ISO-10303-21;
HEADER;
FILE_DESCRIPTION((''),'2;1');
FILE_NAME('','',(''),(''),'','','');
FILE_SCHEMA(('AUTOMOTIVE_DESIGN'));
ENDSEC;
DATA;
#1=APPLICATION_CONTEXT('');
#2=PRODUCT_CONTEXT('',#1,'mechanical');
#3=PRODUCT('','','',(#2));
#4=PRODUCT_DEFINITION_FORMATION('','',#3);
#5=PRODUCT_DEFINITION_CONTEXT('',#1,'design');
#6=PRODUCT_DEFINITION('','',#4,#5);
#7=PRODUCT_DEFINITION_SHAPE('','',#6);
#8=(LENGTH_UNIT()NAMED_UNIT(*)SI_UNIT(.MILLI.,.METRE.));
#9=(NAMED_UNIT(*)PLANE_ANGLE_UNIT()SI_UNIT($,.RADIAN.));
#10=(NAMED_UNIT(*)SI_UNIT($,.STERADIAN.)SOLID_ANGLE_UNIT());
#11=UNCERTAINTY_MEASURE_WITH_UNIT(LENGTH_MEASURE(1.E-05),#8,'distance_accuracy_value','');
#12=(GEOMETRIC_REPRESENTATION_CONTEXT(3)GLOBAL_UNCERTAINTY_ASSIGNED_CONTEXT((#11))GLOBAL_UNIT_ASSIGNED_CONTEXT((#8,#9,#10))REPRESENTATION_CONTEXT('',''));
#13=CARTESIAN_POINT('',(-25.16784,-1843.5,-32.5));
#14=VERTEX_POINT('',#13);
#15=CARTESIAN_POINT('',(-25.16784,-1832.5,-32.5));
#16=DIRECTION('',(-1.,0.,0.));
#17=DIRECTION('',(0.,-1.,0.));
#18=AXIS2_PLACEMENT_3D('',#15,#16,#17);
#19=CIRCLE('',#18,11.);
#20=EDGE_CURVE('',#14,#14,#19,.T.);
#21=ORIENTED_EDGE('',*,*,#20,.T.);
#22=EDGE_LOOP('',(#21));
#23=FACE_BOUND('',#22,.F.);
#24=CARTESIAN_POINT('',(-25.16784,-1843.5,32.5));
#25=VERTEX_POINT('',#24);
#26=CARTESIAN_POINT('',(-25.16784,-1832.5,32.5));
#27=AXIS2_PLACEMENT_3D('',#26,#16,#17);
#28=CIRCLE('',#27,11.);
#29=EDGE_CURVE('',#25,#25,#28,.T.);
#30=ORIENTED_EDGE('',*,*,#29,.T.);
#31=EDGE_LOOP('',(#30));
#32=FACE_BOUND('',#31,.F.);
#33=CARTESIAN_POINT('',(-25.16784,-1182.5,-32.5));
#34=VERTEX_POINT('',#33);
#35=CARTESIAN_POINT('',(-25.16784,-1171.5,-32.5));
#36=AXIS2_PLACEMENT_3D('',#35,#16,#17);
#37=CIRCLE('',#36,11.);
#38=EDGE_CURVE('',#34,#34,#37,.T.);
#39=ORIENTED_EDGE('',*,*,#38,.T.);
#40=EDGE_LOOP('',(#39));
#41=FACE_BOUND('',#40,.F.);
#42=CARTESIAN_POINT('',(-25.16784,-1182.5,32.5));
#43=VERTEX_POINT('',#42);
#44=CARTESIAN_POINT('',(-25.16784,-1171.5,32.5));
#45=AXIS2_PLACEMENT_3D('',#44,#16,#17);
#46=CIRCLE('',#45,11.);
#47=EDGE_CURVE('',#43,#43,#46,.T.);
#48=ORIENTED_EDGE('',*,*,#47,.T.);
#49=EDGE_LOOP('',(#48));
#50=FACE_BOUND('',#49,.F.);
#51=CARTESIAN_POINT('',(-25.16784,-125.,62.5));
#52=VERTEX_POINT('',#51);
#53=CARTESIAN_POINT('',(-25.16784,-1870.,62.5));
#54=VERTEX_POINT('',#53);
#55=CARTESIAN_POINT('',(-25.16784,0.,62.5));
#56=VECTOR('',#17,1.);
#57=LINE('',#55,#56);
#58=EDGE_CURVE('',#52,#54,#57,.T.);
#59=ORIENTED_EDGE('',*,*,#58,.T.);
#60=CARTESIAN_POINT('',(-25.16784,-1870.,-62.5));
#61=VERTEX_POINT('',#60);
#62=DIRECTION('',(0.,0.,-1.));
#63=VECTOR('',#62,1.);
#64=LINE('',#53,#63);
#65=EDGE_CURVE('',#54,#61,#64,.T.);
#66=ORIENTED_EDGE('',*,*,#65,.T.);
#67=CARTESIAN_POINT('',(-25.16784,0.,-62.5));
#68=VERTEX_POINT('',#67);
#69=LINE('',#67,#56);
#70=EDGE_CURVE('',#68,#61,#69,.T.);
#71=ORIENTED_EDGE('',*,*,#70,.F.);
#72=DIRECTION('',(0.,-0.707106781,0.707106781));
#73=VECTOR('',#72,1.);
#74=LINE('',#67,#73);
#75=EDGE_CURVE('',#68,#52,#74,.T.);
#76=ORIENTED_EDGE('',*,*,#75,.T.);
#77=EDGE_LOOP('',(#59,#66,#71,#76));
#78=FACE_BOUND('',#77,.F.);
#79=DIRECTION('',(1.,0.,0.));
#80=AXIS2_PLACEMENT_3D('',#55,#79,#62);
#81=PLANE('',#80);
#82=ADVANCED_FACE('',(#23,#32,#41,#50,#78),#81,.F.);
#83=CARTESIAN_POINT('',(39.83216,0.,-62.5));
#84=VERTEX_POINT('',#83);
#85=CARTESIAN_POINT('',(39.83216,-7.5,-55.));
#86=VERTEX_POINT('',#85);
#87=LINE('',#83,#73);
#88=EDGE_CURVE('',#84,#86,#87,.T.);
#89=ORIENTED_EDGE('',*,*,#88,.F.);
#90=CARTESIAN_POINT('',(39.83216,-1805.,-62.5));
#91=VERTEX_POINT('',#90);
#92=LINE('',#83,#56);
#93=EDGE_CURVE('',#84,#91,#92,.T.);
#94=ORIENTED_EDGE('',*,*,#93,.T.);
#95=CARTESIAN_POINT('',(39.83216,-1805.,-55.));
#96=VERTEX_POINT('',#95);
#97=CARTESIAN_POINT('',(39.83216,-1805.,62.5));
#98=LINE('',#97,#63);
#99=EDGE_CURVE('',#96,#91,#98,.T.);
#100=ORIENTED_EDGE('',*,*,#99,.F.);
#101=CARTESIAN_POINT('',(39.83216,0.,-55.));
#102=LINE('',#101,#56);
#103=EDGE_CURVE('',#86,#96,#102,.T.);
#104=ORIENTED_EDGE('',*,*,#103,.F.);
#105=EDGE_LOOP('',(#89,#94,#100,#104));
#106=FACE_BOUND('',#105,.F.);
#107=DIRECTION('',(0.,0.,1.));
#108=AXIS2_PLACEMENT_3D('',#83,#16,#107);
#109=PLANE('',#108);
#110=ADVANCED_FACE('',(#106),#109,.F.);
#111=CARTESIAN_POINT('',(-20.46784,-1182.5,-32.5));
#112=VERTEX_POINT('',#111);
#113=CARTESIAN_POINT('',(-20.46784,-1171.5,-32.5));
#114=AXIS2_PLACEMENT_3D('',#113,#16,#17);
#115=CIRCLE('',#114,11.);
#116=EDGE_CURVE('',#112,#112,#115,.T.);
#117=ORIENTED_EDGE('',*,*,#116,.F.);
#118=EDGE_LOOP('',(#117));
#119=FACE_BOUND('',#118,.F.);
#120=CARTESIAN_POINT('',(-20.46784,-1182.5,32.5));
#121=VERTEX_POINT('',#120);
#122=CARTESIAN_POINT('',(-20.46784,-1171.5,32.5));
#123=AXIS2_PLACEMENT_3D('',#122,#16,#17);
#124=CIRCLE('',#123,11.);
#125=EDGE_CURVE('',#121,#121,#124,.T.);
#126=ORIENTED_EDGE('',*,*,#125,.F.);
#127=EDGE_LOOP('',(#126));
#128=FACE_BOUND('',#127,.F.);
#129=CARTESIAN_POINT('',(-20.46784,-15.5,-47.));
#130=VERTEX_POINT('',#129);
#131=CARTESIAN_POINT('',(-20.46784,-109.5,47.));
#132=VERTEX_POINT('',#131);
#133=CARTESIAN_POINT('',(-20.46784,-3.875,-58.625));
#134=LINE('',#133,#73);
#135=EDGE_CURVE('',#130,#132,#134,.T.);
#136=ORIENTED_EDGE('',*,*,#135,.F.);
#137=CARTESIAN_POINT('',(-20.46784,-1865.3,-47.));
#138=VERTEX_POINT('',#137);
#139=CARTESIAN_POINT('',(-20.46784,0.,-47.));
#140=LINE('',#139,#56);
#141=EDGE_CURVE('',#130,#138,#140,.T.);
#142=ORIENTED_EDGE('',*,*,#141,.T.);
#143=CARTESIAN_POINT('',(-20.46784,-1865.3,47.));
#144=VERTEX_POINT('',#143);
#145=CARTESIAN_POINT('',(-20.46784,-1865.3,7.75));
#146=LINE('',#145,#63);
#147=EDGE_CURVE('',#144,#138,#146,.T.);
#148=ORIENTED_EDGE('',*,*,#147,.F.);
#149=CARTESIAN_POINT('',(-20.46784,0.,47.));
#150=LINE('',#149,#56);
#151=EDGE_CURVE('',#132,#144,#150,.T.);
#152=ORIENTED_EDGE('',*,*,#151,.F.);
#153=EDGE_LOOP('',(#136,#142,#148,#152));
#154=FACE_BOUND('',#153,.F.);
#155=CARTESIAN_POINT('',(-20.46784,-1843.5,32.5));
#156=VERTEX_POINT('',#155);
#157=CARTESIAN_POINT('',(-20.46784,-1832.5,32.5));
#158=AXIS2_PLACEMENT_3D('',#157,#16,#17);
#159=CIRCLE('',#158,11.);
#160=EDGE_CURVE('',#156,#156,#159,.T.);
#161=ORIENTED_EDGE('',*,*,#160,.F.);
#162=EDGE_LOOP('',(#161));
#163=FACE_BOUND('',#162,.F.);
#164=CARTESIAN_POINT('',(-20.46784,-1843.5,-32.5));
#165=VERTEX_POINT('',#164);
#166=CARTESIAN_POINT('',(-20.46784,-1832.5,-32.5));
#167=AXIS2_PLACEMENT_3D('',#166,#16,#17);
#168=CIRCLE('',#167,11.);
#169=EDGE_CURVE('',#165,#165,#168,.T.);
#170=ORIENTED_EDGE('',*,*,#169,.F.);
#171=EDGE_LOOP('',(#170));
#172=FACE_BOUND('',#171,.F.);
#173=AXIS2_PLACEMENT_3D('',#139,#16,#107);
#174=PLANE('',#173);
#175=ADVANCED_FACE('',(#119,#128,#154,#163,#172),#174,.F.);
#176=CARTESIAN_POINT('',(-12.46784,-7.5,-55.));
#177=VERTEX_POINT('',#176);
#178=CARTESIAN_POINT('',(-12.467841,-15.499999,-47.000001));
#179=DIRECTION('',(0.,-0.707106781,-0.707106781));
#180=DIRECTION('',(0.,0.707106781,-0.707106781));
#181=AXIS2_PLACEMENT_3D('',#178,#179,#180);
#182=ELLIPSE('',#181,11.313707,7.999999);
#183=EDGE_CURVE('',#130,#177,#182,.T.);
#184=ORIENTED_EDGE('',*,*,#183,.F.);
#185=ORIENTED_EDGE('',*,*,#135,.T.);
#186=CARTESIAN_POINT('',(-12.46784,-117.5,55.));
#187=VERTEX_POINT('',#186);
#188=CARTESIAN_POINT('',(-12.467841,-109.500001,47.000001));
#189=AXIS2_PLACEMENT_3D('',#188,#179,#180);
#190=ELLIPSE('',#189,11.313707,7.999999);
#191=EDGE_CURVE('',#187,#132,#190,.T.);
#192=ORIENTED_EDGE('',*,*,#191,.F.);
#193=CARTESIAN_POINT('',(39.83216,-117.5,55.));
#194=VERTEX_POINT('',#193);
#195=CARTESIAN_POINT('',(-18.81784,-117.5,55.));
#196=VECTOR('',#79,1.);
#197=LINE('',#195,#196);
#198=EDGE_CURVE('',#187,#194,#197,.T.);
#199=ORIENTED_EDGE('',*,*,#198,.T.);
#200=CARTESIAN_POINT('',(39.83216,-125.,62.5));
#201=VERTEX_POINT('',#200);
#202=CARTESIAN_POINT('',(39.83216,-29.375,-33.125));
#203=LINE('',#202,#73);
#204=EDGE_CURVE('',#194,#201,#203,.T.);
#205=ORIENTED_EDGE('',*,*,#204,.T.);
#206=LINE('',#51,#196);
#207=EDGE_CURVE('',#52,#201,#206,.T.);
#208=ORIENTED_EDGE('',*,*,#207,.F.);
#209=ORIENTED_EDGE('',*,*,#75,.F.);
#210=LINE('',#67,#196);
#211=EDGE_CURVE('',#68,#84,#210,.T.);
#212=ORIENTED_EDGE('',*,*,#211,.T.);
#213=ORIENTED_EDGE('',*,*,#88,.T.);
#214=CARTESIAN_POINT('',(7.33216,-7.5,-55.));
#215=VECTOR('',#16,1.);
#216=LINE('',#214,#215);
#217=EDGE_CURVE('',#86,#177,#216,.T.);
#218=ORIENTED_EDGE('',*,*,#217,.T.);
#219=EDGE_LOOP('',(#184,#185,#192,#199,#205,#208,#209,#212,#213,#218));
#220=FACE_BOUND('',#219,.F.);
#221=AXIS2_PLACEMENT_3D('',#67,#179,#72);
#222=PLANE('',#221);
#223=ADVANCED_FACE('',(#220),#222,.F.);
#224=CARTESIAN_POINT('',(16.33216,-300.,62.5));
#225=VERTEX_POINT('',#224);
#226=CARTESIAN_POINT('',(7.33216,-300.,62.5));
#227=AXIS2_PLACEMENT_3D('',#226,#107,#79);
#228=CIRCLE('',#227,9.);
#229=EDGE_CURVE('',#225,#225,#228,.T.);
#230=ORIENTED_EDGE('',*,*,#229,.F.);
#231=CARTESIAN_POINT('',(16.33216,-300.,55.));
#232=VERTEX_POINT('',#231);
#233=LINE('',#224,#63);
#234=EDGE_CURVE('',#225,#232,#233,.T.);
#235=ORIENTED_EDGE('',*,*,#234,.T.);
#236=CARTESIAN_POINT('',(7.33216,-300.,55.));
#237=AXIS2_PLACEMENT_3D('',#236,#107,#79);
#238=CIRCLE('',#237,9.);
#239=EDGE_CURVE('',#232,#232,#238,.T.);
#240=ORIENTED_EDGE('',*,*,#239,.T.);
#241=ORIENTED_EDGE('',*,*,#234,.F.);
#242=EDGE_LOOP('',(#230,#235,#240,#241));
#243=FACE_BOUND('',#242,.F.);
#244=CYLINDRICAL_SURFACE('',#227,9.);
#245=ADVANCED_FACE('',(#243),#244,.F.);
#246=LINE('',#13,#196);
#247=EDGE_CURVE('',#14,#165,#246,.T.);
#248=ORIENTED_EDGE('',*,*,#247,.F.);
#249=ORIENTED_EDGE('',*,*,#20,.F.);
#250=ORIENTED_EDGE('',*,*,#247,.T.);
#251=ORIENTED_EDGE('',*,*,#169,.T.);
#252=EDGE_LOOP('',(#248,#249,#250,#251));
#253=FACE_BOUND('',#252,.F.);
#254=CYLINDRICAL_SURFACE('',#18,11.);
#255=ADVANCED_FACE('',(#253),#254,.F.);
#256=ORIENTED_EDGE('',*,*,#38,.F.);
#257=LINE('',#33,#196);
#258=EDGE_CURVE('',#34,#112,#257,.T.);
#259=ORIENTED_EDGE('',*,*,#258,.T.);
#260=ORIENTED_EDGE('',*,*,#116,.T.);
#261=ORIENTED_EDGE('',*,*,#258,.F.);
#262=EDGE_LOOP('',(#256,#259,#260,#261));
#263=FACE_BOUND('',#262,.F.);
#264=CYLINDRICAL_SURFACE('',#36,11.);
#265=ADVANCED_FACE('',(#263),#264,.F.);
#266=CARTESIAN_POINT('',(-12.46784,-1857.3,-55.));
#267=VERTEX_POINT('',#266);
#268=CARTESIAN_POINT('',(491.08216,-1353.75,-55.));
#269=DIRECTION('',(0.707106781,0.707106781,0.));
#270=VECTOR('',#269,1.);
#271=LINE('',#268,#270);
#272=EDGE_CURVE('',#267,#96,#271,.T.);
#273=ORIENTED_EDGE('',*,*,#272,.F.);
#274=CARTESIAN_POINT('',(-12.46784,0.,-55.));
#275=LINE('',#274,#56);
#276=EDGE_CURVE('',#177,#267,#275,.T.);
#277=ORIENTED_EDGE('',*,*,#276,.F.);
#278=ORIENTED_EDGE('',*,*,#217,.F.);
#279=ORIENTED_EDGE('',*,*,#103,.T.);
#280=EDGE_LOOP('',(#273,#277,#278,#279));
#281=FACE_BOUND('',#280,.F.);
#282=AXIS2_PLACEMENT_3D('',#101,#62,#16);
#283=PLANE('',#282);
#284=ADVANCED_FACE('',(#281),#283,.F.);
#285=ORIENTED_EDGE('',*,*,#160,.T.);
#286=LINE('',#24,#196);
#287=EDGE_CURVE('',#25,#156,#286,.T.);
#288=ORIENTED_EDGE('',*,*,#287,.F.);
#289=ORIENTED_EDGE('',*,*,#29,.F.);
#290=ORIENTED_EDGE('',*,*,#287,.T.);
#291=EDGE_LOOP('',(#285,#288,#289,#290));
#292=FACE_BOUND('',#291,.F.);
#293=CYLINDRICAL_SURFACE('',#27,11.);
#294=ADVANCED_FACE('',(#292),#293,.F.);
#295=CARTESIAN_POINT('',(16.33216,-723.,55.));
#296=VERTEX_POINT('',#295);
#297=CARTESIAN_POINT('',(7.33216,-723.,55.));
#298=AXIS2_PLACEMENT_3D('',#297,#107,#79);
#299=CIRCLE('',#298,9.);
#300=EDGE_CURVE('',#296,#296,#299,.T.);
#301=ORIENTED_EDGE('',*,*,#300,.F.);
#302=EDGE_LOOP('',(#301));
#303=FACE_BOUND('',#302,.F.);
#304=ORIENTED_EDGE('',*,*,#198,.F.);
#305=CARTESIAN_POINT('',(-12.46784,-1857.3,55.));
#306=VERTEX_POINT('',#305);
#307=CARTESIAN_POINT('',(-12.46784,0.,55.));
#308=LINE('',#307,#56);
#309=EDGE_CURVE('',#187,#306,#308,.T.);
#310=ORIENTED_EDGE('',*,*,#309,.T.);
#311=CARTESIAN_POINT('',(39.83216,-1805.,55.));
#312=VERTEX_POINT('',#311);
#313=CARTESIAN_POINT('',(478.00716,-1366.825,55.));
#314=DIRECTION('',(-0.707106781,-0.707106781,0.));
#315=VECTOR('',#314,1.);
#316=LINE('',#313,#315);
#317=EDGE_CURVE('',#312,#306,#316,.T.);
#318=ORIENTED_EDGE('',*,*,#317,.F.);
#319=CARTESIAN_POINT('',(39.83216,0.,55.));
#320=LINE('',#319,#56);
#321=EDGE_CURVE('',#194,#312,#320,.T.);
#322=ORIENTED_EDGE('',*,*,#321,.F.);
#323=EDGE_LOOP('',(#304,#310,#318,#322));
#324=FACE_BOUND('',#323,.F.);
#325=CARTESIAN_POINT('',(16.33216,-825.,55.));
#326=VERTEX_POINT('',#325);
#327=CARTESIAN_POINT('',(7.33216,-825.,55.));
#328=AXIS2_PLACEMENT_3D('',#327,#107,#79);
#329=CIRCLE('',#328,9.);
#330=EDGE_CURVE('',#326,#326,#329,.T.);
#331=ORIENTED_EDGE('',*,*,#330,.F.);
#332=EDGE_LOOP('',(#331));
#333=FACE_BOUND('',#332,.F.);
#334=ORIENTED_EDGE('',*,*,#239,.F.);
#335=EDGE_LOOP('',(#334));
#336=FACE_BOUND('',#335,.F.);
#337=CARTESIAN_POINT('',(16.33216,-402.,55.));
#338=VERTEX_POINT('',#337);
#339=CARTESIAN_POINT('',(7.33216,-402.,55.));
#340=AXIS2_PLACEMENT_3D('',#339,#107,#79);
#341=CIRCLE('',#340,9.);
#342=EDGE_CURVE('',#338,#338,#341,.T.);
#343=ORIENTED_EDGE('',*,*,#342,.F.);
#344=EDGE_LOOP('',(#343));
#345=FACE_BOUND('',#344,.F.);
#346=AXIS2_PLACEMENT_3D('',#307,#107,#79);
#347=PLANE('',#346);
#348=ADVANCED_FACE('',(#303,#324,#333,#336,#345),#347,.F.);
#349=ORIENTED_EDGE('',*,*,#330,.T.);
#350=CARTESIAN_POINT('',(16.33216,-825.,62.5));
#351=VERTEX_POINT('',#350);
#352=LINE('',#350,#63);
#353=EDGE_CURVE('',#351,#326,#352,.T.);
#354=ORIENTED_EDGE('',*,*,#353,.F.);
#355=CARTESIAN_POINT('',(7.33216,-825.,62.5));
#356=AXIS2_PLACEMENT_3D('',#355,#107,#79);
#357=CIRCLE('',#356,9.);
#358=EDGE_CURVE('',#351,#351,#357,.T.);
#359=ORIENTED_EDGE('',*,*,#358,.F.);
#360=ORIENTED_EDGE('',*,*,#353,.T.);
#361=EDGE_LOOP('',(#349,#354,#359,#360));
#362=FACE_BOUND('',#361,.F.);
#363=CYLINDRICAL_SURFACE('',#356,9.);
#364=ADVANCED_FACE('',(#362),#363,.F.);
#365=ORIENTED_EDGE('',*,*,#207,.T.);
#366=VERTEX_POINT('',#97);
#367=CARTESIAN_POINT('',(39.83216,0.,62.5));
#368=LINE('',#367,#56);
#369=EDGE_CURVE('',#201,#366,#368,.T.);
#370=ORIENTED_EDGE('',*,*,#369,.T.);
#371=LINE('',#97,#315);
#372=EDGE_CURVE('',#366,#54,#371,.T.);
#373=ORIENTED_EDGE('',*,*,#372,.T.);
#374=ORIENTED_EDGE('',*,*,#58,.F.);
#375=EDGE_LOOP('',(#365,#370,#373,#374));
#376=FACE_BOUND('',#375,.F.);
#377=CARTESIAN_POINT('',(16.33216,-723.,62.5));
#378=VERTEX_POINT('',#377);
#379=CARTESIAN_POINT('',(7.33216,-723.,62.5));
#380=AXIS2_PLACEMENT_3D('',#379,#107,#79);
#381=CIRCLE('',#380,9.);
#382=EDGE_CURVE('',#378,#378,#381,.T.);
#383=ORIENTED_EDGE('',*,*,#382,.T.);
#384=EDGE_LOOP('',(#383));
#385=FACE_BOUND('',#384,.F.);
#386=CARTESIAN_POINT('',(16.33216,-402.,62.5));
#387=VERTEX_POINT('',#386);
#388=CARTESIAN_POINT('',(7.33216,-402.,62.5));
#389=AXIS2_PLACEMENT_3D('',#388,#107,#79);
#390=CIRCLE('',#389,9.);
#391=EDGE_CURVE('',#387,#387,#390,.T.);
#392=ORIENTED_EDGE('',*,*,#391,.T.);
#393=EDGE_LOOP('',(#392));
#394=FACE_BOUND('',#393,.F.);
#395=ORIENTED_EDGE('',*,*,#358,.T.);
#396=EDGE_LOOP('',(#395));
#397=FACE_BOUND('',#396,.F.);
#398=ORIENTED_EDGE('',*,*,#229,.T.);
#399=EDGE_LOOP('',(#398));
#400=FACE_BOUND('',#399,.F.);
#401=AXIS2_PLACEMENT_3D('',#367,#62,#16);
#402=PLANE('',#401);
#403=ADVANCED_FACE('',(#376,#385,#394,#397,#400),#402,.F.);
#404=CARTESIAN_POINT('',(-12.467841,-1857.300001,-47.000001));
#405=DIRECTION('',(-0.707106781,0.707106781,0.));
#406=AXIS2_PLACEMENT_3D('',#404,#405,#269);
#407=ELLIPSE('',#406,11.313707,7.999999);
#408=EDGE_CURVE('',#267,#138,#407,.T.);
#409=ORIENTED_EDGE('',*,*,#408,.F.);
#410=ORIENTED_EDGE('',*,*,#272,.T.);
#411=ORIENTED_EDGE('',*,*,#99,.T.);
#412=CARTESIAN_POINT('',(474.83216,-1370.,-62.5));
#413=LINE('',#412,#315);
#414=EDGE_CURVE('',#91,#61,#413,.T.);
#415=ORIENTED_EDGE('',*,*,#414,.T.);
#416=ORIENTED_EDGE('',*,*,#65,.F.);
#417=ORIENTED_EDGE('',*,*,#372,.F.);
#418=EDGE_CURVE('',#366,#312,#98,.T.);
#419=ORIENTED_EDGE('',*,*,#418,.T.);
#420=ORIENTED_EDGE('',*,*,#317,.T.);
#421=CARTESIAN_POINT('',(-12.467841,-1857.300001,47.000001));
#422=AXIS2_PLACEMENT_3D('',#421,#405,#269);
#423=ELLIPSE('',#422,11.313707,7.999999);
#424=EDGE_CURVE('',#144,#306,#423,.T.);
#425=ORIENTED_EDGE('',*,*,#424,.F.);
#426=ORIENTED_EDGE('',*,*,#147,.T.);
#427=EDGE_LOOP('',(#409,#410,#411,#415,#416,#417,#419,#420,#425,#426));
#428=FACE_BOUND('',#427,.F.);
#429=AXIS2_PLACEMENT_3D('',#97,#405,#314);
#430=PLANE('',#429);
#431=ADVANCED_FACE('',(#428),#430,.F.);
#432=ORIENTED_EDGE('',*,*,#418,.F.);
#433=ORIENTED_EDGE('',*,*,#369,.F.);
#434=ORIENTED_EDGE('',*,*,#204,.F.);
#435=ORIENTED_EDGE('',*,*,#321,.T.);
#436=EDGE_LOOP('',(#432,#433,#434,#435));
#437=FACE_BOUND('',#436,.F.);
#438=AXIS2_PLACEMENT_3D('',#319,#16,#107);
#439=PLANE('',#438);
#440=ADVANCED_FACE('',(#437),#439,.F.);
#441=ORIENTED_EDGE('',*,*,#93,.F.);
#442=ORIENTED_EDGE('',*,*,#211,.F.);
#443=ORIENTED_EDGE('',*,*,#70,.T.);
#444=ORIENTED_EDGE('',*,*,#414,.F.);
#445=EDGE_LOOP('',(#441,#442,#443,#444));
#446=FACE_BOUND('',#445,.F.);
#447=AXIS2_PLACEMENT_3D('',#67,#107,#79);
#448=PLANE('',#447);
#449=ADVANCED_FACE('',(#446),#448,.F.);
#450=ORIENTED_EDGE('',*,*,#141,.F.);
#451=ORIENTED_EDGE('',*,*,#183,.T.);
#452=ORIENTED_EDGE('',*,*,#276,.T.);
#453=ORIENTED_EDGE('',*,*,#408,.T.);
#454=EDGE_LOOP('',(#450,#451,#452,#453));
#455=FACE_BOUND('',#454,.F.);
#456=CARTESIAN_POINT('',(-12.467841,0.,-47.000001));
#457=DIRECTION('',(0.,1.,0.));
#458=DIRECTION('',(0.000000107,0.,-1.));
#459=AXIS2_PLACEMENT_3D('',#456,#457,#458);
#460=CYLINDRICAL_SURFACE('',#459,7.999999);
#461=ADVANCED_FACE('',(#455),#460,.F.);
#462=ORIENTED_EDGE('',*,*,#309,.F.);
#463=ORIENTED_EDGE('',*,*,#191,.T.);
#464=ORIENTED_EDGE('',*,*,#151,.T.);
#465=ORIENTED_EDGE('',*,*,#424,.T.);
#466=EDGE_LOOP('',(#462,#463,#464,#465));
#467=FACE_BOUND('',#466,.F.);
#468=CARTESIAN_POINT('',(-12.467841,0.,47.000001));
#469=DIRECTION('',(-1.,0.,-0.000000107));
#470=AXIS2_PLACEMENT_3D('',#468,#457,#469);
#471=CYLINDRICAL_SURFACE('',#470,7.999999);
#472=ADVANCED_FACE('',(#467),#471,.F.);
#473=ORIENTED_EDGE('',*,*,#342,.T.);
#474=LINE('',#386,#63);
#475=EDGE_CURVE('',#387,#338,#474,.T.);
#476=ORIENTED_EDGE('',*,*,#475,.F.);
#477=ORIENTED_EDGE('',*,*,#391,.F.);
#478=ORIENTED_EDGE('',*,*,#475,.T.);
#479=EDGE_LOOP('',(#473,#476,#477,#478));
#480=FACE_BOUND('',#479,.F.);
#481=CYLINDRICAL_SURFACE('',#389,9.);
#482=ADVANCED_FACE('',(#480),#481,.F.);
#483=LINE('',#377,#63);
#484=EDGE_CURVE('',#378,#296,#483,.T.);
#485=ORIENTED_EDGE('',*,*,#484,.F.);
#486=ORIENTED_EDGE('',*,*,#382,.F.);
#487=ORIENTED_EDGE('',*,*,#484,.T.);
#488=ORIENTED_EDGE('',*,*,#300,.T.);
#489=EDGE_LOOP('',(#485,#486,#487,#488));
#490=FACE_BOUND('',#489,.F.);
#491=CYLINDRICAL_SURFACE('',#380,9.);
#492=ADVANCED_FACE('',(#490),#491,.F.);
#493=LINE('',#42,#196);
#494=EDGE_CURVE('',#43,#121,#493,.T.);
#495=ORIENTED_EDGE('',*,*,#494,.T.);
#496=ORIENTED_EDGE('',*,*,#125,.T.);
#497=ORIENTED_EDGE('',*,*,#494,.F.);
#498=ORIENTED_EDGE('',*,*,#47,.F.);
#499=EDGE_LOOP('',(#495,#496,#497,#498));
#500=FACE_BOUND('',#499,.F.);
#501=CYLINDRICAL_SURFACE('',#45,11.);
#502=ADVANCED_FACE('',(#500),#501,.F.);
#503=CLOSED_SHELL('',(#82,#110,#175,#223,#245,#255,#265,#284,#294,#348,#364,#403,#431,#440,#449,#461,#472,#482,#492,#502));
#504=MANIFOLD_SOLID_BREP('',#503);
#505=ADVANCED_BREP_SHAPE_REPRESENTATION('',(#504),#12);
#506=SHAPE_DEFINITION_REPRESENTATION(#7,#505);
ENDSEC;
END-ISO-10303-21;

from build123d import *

# Parameters (mm, degrees)
F1_DEPTH  = 1870
F3_DEPTH  = 65.001
F5_DEPTH  = 125.001
F6_R      = 9
F7_DEPTH  = 7.5
F8_R      = 9
F9_DEPTH  = 7.5
F10_R     = 11
F11_DEPTH = 25


with BuildPart() as f1:
    # F0 (on Front) → F1 (new body)
    with BuildSketch(Plane.XZ):
        with BuildLine():
            Line((-25.16784, 62.5), (-25.16784, -62.5))
            Line((-25.16784, -62.5), (39.83216, -62.5))
            Line((39.83216, -62.5), (39.83216, -55))
            Line((39.83216, -55), (-12.46784, -55))
            ThreePointArc((-12.46784, -55), (-18.124695, -52.656854), (-20.46784, -47))
            Line((-20.46784, -47), (-20.46784, 47))
            ThreePointArc((-20.46784, 47), (-18.124695, 52.656854), (-12.46784, 55))
            Line((-12.46784, 55), (39.83216, 55))
            Line((39.83216, 55), (39.83216, 62.5))
            Line((39.83216, 62.5), (-25.16784, 62.5))
        make_face()
    extrude(amount=F1_DEPTH)

    # F2 (on face) → F3 (cut, through all)
    with BuildSketch(Plane(origin=(-25.16784, 0, 0), x_dir=(0, -1, 0), z_dir=(-1, 0, 0))):
        Polygon((125, 62.5), (0, 62.5), (0, -62.5), align=None)
    extrude(amount=-F3_DEPTH, mode=Mode.SUBTRACT)

    # F4 (on face) → F5 (cut, through all)
    with BuildSketch(Plane.XY.offset(62.5)):
        Polygon((-25.16784, -1870), (39.83216, -1870), (39.83216, -1805), align=None)
    extrude(amount=-F5_DEPTH, mode=Mode.SUBTRACT)

    # F6 (on face) → F7 (cut, through all)
    with BuildSketch(Plane.XY.offset(62.5)):
        with Locations((7.33216, -723)):
            Circle(F6_R)
        with Locations((7.33216, -825)):
            Circle(F6_R)
    extrude(amount=-F7_DEPTH, mode=Mode.SUBTRACT)

    # F8 (on face) → F9 (cut, through all)
    with BuildSketch(Plane.XY.offset(62.5)):
        with Locations((7.33216, -300)):
            Circle(F8_R)
        with Locations((7.33216, -402)):
            Circle(F8_R)
    extrude(amount=-F9_DEPTH, mode=Mode.SUBTRACT)

    # F10 (on face) → F11 (cut)
    with BuildSketch(Plane(origin=(-25.16784, 0, 0), x_dir=(0, -1, 0), z_dir=(-1, 0, 0))):
        with Locations((1832.5, 32.5)):
            Circle(F10_R)
        with Locations((1832.5, -32.5)):
            Circle(F10_R)
        with Locations((1171.5, 32.5)):
            Circle(F10_R)
        with Locations((1171.5, -32.5)):
            Circle(F10_R)
    extrude(amount=-F11_DEPTH, mode=Mode.SUBTRACT)


solid = f1.part
